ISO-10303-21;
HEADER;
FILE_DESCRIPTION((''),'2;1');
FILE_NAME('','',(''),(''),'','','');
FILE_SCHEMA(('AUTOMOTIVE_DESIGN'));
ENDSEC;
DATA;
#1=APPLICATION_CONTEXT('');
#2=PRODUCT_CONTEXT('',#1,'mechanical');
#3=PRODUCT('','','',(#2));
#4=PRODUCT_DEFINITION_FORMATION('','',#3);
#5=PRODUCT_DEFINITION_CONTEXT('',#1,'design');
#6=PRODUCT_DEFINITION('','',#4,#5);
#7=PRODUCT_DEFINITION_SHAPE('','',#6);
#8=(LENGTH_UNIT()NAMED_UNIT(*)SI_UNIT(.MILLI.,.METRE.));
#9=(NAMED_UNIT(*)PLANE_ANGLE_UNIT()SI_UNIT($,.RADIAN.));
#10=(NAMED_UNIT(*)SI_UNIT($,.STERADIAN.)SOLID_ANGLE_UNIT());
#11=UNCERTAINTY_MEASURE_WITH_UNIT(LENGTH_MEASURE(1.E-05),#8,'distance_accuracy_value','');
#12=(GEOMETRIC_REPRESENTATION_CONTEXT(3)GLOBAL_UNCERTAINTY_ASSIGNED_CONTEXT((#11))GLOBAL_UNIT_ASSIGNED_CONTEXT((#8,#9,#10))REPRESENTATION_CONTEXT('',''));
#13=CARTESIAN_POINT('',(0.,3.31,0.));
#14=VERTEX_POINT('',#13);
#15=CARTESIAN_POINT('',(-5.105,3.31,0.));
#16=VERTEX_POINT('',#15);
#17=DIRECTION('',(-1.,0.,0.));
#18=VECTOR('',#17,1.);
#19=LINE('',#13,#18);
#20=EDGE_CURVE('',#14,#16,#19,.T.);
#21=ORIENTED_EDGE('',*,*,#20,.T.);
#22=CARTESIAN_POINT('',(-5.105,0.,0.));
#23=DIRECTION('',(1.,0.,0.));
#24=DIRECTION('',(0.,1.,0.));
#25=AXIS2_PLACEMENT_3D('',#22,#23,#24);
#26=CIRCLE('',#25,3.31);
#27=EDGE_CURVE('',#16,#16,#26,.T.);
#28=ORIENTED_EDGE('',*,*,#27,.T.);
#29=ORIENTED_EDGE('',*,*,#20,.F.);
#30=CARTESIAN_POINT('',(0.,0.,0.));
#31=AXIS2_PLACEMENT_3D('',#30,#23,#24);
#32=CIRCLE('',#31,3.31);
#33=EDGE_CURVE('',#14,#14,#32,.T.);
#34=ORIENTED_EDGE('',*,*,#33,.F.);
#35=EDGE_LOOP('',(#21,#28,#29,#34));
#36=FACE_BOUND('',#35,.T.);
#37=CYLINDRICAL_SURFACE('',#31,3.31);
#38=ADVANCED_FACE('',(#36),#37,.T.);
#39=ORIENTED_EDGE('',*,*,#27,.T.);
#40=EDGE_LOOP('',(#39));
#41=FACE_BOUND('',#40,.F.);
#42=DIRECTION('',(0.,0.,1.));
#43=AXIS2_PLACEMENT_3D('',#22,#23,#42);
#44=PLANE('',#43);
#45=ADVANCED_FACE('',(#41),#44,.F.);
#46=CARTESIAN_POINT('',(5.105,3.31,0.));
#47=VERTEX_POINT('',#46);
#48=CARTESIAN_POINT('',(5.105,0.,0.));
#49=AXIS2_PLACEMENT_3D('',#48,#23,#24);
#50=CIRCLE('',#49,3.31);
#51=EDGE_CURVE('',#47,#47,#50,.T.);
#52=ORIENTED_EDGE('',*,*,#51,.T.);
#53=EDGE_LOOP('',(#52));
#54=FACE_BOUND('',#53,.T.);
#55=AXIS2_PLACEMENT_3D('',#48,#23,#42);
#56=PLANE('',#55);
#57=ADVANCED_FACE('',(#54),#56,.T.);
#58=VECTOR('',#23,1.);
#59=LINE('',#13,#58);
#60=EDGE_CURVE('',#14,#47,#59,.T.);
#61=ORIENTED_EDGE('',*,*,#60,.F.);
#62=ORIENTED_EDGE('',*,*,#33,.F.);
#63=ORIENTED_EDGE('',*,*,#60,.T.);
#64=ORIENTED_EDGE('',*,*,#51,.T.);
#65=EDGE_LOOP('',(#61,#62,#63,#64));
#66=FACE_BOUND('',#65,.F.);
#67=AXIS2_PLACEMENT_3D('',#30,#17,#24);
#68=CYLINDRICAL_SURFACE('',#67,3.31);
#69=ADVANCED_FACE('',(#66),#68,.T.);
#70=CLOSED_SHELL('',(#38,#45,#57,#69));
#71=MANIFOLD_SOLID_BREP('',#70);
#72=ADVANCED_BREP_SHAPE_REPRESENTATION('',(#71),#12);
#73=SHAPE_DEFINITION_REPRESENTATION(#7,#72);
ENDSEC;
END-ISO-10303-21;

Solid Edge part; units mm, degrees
sketch "Sketch1" plane through (0, 0, 0) normal (1, 0, 0) x (0, 1, 0)
  circle A0 centre (0, 0) radius 3.31
extrude "Protrusion1" add sketch "Sketch1" along normal mid plane 10.21
